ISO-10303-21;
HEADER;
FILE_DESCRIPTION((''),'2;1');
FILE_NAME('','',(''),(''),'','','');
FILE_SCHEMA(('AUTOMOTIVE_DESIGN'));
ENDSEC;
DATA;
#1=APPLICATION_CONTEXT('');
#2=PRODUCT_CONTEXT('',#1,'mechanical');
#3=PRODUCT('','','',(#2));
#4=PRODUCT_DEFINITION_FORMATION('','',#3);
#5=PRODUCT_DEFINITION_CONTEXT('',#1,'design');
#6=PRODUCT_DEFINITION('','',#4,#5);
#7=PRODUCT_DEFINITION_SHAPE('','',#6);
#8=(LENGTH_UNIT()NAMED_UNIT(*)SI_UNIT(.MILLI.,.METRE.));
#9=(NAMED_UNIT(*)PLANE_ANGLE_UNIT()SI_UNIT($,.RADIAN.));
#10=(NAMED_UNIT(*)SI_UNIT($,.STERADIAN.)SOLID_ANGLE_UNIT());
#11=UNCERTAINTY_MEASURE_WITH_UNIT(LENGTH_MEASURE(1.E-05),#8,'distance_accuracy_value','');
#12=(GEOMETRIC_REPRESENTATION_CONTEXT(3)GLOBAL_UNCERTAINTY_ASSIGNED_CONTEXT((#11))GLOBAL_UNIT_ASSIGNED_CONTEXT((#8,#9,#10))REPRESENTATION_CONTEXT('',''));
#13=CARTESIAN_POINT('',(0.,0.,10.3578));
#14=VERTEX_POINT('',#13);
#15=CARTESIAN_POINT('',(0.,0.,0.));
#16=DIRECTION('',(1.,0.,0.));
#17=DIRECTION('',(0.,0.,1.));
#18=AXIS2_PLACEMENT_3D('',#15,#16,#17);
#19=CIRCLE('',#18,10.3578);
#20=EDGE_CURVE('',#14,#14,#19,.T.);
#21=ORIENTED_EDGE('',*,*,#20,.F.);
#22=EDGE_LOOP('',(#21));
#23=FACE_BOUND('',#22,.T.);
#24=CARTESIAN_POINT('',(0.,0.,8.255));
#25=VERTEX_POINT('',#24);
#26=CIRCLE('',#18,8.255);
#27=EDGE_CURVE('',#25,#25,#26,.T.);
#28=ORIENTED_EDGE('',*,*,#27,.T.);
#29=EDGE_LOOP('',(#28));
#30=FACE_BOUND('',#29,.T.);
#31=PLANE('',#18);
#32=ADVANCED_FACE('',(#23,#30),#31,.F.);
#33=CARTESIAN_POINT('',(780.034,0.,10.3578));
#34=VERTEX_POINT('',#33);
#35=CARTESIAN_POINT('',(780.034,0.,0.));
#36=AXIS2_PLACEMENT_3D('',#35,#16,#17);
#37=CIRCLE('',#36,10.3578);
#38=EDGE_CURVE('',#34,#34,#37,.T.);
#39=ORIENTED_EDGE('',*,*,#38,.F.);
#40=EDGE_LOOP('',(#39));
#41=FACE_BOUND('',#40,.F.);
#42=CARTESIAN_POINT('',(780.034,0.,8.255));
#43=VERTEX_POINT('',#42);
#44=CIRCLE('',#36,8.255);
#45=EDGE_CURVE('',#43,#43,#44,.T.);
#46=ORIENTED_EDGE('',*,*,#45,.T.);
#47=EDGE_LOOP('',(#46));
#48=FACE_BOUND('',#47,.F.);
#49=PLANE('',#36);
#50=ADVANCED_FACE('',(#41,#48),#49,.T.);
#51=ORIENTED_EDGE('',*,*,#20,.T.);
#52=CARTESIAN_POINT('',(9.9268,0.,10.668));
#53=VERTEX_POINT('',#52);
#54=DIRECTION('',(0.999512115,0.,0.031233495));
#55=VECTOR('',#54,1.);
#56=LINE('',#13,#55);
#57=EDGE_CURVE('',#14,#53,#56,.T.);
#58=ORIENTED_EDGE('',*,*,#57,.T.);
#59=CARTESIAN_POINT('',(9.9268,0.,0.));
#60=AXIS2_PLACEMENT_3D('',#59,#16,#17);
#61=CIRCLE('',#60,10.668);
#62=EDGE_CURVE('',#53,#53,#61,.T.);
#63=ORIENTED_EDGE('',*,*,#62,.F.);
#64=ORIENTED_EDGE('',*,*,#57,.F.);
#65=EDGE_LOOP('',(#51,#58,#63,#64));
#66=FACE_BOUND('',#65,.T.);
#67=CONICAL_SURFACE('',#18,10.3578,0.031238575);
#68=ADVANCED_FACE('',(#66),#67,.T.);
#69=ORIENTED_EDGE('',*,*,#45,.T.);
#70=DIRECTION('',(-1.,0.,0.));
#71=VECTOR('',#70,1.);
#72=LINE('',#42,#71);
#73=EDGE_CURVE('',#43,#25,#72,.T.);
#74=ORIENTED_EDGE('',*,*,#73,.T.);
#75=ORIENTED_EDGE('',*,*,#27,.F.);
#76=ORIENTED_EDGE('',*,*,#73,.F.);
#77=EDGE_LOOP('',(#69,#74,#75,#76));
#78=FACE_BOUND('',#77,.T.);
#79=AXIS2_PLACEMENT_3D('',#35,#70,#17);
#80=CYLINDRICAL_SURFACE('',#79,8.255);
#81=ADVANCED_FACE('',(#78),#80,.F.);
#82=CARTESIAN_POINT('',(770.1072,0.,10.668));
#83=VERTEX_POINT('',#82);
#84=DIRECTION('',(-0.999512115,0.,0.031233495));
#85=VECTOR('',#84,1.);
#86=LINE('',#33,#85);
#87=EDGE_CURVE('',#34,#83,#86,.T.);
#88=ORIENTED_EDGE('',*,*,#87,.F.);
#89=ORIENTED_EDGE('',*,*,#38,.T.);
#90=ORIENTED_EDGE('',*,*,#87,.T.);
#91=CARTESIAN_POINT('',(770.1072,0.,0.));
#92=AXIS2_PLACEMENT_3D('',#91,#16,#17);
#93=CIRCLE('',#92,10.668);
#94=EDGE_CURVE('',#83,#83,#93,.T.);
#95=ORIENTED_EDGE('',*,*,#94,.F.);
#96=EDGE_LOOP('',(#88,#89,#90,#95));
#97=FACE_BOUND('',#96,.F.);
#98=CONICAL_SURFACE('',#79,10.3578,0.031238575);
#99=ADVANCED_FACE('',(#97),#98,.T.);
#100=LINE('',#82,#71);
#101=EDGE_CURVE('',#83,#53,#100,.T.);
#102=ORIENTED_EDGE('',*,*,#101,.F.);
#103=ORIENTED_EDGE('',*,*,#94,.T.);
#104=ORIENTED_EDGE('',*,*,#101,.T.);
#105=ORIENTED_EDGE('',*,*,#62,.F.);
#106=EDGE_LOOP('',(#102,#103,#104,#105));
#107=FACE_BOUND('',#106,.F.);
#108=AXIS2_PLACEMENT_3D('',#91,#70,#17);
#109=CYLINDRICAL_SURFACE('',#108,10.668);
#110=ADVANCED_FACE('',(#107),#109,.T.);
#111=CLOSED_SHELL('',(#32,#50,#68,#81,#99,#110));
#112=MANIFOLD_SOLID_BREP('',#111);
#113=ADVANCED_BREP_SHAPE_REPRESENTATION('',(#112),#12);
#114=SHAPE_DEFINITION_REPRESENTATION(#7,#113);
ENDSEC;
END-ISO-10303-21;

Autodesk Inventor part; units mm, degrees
ref_plane "YZ Plane" through (0, 0, 0) normal (1, 0, 0) x (0, 1, 0)
ref_plane "XZ Plane" through (0, 0, 0) normal (0, 1, 0) x (-1, 0, 0)
ref_plane "XY Plane" through (0, 0, 0) normal (0, 0, 1) x (1, 0, 0)
sketch "Sketch1" plane through (0, 0, 0) normal (0, 1, 0) x (-1, 0, 0)
  line L0 (0, 0) -> (-780.034, 0)
  line L1 (-780.034, 0) -> (-780.034, 8.255) construction
  line L2 (-780.034, 8.255) -> (-780.034, 10.3578)
  line L3 (-780.034, 10.3578) -> (-770.1072, 10.668)
  line L4 (-770.1072, 10.668) -> (-9.9268, 10.668)
  line L5 (-390.017, 0) -> (-390.017, 10.668) construction
  line L6 (-780.034, 8.255) -> (0, 8.255)
  line L7 (0, 0) -> (0, 8.255) construction
  line L8 (0, 8.255) -> (0, 10.3578)
  line L9 (0, 10.3578) -> (-9.9268, 10.668)
  line L10 (-766.478, 10.7814) -> (-766.478, 0) construction
  line L11 (-13.556, 10.7814) -> (-13.556, 0) construction
  line L12 (-770.1072, 10.668) -> (-766.478, 10.7814) construction
  line L13 (-770.1072, 10.668) -> (-770.1072, 0) construction
  line L14 (-9.9268, 10.668) -> (-13.556, 10.7814) construction
  line L15 (-9.9268, 10.668) -> (-9.9268, 0) construction
  dimension "d0" = 21.336
  dimension "d1" = 1.79
  dimension "d2" = 16.51
  dimension "d3" = 780.034
  dimension "d4" = 13.556
  dimension "d5" = 21.5628
revolve "Revolution1" add sketch "Sketch1" angle 360 about axis through (0, 0, 0) along (1, 0, 0)
thread "Thread1" size "1/2" designation "1/2 - 14 NPT" standard "NPT" full length
thread "Thread2" size "1/2" designation "1/2 - 14 NPT" standard "NPT" full length
equation "\"d0\" = OD"
equation "\"d2\" = ID"
equation "\"d3\" = L"
equation "\"d4\" = L2"
equation "\"d5\" = D2"
equation "\"OD\" = 21.336"
equation "\"t\" = 2.413"
equation "\"L\" = PL"
equation "\"L4\" = 19.8501"
equation "\"ID\" = 16.51"
equation "\"PL\" = 780.034"
equation "\"D2\" = 21.56282"
equation "\"L2\" = 13.55598"
equation "\"Size_Designation\" = 1.2345"
equation "\"PLmin\" = 2 * L2"
properties material "Steel, Wrought"
